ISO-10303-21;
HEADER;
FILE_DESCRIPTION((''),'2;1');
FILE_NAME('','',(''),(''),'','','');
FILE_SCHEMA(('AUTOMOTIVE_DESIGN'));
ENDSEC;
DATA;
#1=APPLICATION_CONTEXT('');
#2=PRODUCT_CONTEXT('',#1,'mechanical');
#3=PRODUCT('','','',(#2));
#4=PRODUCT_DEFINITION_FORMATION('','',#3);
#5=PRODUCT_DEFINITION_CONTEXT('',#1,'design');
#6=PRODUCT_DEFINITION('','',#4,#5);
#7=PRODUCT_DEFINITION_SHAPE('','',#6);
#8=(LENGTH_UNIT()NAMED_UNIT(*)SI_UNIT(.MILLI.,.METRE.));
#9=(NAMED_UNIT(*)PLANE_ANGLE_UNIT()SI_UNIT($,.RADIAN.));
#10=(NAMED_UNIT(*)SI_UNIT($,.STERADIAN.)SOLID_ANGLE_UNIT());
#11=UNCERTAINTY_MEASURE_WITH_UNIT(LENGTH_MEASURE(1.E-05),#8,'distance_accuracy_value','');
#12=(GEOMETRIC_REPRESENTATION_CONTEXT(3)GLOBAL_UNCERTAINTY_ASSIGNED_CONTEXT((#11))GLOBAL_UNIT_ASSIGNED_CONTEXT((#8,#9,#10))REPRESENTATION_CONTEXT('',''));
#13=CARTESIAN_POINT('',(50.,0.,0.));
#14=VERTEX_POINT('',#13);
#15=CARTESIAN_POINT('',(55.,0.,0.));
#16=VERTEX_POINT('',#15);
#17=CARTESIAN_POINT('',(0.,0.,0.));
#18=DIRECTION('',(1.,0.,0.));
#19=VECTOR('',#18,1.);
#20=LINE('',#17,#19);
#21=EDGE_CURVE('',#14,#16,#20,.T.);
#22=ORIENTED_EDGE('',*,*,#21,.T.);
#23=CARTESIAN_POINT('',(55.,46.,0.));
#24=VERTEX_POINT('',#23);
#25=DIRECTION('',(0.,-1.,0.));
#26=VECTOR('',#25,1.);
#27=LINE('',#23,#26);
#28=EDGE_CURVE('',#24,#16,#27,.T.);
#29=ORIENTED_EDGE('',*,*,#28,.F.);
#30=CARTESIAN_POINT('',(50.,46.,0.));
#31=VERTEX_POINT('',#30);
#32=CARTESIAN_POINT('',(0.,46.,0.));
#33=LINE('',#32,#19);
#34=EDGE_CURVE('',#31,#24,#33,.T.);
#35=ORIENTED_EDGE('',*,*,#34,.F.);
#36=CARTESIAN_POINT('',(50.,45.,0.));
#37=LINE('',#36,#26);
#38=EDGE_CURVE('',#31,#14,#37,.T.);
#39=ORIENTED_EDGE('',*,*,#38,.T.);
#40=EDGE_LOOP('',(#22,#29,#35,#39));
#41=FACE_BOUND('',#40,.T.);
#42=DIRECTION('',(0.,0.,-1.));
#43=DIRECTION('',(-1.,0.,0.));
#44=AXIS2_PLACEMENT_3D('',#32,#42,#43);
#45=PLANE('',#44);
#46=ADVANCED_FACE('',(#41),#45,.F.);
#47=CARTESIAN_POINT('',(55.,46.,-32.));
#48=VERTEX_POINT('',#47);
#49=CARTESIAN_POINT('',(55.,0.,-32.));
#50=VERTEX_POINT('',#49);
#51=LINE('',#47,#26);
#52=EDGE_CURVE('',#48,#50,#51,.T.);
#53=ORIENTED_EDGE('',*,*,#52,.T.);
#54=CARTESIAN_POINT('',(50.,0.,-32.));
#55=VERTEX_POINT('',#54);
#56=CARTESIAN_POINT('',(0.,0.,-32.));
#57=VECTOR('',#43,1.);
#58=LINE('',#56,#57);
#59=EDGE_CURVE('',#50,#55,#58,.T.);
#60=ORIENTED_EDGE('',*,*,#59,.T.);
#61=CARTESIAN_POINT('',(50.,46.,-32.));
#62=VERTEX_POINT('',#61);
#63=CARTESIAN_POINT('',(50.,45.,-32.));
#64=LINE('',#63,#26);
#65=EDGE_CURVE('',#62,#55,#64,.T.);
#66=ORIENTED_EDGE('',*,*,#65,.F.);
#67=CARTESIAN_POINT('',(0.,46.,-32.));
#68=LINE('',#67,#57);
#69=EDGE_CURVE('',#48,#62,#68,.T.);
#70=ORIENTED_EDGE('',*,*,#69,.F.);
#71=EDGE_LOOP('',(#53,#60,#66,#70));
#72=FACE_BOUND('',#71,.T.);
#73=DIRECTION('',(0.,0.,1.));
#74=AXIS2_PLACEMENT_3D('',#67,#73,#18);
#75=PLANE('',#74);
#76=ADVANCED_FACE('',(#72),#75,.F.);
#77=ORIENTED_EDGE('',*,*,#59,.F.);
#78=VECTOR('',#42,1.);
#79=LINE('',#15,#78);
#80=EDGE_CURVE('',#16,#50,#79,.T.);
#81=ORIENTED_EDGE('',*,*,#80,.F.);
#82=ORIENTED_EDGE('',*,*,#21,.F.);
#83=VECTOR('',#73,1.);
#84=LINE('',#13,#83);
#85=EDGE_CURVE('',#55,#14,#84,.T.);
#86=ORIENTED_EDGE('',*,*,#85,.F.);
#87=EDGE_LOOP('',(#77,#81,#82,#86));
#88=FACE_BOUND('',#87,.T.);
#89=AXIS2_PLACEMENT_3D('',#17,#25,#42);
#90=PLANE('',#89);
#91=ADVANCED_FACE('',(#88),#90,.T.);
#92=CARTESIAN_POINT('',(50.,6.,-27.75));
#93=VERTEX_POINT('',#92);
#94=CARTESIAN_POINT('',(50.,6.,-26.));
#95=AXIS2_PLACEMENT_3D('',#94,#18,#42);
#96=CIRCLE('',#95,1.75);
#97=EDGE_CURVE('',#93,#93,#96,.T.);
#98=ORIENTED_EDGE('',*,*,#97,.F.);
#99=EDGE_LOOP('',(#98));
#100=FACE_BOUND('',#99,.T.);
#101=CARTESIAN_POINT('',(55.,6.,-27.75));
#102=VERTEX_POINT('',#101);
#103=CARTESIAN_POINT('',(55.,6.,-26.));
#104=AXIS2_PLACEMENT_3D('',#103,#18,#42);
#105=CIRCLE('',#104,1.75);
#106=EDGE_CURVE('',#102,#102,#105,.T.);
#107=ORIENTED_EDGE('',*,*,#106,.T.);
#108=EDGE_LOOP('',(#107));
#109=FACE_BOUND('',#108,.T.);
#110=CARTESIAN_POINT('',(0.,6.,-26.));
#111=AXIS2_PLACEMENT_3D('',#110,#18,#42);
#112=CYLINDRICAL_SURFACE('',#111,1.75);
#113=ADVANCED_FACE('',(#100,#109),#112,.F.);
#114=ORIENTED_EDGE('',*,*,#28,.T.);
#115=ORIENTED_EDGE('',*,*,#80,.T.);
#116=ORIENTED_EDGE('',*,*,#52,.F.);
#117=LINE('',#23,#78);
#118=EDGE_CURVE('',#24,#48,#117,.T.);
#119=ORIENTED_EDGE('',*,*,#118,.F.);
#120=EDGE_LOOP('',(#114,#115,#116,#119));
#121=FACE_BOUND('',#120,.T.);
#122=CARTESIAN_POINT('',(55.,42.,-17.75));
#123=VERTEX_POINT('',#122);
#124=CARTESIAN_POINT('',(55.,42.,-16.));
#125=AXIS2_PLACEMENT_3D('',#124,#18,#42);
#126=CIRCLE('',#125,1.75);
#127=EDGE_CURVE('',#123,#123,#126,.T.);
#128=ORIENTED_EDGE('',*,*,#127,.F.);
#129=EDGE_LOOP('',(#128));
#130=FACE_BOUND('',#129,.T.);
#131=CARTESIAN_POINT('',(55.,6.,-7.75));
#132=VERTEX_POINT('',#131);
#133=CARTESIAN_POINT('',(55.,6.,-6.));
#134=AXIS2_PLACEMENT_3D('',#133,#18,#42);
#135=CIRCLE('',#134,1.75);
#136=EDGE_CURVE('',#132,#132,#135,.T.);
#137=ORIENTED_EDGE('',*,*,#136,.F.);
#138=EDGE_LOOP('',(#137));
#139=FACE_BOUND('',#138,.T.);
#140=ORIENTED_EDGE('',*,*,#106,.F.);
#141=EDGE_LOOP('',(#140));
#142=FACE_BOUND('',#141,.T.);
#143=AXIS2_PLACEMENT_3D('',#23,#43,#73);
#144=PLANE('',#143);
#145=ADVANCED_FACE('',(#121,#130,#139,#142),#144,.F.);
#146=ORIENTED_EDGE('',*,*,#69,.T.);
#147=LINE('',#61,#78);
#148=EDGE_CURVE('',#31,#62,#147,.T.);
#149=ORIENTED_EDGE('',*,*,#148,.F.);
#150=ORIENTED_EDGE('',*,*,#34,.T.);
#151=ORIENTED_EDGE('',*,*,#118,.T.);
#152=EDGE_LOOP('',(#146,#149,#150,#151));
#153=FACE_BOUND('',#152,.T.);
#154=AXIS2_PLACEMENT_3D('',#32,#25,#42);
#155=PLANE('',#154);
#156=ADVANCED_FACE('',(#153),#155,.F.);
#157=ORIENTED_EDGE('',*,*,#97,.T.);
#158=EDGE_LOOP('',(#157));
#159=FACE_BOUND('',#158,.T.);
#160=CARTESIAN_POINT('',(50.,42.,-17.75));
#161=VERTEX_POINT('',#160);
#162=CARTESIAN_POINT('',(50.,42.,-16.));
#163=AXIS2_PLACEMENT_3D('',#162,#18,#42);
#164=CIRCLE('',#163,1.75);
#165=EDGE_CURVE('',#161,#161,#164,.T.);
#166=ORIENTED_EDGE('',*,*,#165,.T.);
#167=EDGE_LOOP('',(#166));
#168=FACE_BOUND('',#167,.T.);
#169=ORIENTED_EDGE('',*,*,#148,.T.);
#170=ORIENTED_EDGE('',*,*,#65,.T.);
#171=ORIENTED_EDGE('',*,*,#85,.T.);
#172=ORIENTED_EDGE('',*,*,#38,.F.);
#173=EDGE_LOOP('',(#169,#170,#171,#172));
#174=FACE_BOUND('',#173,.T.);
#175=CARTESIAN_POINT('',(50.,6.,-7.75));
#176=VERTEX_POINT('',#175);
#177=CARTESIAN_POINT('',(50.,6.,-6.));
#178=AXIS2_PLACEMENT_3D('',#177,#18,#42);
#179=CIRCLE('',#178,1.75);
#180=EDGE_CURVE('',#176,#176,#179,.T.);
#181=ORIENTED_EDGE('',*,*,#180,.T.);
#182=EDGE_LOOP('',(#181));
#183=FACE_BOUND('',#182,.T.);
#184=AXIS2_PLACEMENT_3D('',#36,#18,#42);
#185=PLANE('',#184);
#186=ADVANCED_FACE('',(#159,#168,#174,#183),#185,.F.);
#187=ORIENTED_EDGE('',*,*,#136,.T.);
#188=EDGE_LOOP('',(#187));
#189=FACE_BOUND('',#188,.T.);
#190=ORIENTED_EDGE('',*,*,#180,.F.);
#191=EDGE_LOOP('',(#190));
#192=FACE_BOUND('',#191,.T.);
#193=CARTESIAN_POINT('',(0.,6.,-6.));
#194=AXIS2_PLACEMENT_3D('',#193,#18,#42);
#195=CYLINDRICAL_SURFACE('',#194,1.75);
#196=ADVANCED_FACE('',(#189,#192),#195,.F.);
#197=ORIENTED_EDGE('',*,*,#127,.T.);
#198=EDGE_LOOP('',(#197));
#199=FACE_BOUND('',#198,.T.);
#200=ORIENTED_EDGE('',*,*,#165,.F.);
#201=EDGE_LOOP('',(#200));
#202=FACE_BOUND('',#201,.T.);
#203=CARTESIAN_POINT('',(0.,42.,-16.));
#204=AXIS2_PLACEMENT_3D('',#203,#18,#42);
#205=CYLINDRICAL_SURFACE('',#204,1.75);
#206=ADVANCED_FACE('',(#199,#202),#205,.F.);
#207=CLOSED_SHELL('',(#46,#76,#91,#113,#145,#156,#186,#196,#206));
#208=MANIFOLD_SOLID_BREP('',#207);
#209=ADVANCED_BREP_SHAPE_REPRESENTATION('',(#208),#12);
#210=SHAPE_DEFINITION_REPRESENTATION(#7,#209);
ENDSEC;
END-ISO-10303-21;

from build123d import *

# Parameters (mm, degrees)
SKETCH1_W           = 55
SKETCH1_H           = 32
BOSS_EXTRUDE1_DEPTH = 46
SKETCH2_W           = 45
SKETCH2_H           = 32
CUT_EXTRUDE1_DEPTH  = 45
SKETCH3_R           = 1.75
CUT_EXTRUDE2_DEPTH  = 47
SKETCH4_R           = 1.75
CUT_EXTRUDE3_DEPTH  = 56
SKETCH7_W           = 32
SKETCH7_H           = 46
CUT_EXTRUDE5_DEPTH  = 50


with BuildPart() as part:
    # Sketch1 → Boss-Extrude1 (new body)
    with BuildSketch(Plane(origin=(0, 0, 0), x_dir=(1, 0, 0), z_dir=(0, 1, 0))):
        with Locations((27.5, 16)):
            Rectangle(SKETCH1_W, SKETCH1_H)
    extrude(amount=BOSS_EXTRUDE1_DEPTH)

    # Sketch2 → Cut-Extrude1 (cut)
    with BuildSketch(Plane.XZ):
        with Locations((27.5, -16)):
            Rectangle(SKETCH2_W, SKETCH2_H)
    extrude(amount=-CUT_EXTRUDE1_DEPTH, mode=Mode.SUBTRACT)

    # Sketch3 → Cut-Extrude2 (cut, through all)
    with BuildSketch(Plane(origin=(0, 46, 0), x_dir=(1, 0, 0), z_dir=(0, 1, 0))):
        with Locations((43.5, 26)):
            Circle(SKETCH3_R)
        with Locations((43.5, 6)):
            Circle(SKETCH3_R)
        with Locations((11.5, 26)):
            Circle(SKETCH3_R)
        with Locations((11.5, 6)):
            Circle(SKETCH3_R)
    extrude(amount=-CUT_EXTRUDE2_DEPTH, mode=Mode.SUBTRACT)

    # Sketch4 → Cut-Extrude3 (cut, through all)
    with BuildSketch(Plane(origin=(55, 0, 0), x_dir=(0, 0, -1), z_dir=(1, 0, 0))):
        with Locations((6, 6)):
            Circle(SKETCH4_R)
        with Locations((26, 6)):
            Circle(SKETCH4_R)
        with Locations((16, 42)):
            Circle(SKETCH4_R)
    extrude(amount=-CUT_EXTRUDE3_DEPTH, mode=Mode.SUBTRACT)

    # Sketch7 → Cut-Extrude5 (cut)
    with BuildSketch(Plane.ZY):
        with Locations((-16, 23)):
            Rectangle(SKETCH7_W, SKETCH7_H)
    extrude(amount=-CUT_EXTRUDE5_DEPTH, mode=Mode.SUBTRACT)


solid = part.part
